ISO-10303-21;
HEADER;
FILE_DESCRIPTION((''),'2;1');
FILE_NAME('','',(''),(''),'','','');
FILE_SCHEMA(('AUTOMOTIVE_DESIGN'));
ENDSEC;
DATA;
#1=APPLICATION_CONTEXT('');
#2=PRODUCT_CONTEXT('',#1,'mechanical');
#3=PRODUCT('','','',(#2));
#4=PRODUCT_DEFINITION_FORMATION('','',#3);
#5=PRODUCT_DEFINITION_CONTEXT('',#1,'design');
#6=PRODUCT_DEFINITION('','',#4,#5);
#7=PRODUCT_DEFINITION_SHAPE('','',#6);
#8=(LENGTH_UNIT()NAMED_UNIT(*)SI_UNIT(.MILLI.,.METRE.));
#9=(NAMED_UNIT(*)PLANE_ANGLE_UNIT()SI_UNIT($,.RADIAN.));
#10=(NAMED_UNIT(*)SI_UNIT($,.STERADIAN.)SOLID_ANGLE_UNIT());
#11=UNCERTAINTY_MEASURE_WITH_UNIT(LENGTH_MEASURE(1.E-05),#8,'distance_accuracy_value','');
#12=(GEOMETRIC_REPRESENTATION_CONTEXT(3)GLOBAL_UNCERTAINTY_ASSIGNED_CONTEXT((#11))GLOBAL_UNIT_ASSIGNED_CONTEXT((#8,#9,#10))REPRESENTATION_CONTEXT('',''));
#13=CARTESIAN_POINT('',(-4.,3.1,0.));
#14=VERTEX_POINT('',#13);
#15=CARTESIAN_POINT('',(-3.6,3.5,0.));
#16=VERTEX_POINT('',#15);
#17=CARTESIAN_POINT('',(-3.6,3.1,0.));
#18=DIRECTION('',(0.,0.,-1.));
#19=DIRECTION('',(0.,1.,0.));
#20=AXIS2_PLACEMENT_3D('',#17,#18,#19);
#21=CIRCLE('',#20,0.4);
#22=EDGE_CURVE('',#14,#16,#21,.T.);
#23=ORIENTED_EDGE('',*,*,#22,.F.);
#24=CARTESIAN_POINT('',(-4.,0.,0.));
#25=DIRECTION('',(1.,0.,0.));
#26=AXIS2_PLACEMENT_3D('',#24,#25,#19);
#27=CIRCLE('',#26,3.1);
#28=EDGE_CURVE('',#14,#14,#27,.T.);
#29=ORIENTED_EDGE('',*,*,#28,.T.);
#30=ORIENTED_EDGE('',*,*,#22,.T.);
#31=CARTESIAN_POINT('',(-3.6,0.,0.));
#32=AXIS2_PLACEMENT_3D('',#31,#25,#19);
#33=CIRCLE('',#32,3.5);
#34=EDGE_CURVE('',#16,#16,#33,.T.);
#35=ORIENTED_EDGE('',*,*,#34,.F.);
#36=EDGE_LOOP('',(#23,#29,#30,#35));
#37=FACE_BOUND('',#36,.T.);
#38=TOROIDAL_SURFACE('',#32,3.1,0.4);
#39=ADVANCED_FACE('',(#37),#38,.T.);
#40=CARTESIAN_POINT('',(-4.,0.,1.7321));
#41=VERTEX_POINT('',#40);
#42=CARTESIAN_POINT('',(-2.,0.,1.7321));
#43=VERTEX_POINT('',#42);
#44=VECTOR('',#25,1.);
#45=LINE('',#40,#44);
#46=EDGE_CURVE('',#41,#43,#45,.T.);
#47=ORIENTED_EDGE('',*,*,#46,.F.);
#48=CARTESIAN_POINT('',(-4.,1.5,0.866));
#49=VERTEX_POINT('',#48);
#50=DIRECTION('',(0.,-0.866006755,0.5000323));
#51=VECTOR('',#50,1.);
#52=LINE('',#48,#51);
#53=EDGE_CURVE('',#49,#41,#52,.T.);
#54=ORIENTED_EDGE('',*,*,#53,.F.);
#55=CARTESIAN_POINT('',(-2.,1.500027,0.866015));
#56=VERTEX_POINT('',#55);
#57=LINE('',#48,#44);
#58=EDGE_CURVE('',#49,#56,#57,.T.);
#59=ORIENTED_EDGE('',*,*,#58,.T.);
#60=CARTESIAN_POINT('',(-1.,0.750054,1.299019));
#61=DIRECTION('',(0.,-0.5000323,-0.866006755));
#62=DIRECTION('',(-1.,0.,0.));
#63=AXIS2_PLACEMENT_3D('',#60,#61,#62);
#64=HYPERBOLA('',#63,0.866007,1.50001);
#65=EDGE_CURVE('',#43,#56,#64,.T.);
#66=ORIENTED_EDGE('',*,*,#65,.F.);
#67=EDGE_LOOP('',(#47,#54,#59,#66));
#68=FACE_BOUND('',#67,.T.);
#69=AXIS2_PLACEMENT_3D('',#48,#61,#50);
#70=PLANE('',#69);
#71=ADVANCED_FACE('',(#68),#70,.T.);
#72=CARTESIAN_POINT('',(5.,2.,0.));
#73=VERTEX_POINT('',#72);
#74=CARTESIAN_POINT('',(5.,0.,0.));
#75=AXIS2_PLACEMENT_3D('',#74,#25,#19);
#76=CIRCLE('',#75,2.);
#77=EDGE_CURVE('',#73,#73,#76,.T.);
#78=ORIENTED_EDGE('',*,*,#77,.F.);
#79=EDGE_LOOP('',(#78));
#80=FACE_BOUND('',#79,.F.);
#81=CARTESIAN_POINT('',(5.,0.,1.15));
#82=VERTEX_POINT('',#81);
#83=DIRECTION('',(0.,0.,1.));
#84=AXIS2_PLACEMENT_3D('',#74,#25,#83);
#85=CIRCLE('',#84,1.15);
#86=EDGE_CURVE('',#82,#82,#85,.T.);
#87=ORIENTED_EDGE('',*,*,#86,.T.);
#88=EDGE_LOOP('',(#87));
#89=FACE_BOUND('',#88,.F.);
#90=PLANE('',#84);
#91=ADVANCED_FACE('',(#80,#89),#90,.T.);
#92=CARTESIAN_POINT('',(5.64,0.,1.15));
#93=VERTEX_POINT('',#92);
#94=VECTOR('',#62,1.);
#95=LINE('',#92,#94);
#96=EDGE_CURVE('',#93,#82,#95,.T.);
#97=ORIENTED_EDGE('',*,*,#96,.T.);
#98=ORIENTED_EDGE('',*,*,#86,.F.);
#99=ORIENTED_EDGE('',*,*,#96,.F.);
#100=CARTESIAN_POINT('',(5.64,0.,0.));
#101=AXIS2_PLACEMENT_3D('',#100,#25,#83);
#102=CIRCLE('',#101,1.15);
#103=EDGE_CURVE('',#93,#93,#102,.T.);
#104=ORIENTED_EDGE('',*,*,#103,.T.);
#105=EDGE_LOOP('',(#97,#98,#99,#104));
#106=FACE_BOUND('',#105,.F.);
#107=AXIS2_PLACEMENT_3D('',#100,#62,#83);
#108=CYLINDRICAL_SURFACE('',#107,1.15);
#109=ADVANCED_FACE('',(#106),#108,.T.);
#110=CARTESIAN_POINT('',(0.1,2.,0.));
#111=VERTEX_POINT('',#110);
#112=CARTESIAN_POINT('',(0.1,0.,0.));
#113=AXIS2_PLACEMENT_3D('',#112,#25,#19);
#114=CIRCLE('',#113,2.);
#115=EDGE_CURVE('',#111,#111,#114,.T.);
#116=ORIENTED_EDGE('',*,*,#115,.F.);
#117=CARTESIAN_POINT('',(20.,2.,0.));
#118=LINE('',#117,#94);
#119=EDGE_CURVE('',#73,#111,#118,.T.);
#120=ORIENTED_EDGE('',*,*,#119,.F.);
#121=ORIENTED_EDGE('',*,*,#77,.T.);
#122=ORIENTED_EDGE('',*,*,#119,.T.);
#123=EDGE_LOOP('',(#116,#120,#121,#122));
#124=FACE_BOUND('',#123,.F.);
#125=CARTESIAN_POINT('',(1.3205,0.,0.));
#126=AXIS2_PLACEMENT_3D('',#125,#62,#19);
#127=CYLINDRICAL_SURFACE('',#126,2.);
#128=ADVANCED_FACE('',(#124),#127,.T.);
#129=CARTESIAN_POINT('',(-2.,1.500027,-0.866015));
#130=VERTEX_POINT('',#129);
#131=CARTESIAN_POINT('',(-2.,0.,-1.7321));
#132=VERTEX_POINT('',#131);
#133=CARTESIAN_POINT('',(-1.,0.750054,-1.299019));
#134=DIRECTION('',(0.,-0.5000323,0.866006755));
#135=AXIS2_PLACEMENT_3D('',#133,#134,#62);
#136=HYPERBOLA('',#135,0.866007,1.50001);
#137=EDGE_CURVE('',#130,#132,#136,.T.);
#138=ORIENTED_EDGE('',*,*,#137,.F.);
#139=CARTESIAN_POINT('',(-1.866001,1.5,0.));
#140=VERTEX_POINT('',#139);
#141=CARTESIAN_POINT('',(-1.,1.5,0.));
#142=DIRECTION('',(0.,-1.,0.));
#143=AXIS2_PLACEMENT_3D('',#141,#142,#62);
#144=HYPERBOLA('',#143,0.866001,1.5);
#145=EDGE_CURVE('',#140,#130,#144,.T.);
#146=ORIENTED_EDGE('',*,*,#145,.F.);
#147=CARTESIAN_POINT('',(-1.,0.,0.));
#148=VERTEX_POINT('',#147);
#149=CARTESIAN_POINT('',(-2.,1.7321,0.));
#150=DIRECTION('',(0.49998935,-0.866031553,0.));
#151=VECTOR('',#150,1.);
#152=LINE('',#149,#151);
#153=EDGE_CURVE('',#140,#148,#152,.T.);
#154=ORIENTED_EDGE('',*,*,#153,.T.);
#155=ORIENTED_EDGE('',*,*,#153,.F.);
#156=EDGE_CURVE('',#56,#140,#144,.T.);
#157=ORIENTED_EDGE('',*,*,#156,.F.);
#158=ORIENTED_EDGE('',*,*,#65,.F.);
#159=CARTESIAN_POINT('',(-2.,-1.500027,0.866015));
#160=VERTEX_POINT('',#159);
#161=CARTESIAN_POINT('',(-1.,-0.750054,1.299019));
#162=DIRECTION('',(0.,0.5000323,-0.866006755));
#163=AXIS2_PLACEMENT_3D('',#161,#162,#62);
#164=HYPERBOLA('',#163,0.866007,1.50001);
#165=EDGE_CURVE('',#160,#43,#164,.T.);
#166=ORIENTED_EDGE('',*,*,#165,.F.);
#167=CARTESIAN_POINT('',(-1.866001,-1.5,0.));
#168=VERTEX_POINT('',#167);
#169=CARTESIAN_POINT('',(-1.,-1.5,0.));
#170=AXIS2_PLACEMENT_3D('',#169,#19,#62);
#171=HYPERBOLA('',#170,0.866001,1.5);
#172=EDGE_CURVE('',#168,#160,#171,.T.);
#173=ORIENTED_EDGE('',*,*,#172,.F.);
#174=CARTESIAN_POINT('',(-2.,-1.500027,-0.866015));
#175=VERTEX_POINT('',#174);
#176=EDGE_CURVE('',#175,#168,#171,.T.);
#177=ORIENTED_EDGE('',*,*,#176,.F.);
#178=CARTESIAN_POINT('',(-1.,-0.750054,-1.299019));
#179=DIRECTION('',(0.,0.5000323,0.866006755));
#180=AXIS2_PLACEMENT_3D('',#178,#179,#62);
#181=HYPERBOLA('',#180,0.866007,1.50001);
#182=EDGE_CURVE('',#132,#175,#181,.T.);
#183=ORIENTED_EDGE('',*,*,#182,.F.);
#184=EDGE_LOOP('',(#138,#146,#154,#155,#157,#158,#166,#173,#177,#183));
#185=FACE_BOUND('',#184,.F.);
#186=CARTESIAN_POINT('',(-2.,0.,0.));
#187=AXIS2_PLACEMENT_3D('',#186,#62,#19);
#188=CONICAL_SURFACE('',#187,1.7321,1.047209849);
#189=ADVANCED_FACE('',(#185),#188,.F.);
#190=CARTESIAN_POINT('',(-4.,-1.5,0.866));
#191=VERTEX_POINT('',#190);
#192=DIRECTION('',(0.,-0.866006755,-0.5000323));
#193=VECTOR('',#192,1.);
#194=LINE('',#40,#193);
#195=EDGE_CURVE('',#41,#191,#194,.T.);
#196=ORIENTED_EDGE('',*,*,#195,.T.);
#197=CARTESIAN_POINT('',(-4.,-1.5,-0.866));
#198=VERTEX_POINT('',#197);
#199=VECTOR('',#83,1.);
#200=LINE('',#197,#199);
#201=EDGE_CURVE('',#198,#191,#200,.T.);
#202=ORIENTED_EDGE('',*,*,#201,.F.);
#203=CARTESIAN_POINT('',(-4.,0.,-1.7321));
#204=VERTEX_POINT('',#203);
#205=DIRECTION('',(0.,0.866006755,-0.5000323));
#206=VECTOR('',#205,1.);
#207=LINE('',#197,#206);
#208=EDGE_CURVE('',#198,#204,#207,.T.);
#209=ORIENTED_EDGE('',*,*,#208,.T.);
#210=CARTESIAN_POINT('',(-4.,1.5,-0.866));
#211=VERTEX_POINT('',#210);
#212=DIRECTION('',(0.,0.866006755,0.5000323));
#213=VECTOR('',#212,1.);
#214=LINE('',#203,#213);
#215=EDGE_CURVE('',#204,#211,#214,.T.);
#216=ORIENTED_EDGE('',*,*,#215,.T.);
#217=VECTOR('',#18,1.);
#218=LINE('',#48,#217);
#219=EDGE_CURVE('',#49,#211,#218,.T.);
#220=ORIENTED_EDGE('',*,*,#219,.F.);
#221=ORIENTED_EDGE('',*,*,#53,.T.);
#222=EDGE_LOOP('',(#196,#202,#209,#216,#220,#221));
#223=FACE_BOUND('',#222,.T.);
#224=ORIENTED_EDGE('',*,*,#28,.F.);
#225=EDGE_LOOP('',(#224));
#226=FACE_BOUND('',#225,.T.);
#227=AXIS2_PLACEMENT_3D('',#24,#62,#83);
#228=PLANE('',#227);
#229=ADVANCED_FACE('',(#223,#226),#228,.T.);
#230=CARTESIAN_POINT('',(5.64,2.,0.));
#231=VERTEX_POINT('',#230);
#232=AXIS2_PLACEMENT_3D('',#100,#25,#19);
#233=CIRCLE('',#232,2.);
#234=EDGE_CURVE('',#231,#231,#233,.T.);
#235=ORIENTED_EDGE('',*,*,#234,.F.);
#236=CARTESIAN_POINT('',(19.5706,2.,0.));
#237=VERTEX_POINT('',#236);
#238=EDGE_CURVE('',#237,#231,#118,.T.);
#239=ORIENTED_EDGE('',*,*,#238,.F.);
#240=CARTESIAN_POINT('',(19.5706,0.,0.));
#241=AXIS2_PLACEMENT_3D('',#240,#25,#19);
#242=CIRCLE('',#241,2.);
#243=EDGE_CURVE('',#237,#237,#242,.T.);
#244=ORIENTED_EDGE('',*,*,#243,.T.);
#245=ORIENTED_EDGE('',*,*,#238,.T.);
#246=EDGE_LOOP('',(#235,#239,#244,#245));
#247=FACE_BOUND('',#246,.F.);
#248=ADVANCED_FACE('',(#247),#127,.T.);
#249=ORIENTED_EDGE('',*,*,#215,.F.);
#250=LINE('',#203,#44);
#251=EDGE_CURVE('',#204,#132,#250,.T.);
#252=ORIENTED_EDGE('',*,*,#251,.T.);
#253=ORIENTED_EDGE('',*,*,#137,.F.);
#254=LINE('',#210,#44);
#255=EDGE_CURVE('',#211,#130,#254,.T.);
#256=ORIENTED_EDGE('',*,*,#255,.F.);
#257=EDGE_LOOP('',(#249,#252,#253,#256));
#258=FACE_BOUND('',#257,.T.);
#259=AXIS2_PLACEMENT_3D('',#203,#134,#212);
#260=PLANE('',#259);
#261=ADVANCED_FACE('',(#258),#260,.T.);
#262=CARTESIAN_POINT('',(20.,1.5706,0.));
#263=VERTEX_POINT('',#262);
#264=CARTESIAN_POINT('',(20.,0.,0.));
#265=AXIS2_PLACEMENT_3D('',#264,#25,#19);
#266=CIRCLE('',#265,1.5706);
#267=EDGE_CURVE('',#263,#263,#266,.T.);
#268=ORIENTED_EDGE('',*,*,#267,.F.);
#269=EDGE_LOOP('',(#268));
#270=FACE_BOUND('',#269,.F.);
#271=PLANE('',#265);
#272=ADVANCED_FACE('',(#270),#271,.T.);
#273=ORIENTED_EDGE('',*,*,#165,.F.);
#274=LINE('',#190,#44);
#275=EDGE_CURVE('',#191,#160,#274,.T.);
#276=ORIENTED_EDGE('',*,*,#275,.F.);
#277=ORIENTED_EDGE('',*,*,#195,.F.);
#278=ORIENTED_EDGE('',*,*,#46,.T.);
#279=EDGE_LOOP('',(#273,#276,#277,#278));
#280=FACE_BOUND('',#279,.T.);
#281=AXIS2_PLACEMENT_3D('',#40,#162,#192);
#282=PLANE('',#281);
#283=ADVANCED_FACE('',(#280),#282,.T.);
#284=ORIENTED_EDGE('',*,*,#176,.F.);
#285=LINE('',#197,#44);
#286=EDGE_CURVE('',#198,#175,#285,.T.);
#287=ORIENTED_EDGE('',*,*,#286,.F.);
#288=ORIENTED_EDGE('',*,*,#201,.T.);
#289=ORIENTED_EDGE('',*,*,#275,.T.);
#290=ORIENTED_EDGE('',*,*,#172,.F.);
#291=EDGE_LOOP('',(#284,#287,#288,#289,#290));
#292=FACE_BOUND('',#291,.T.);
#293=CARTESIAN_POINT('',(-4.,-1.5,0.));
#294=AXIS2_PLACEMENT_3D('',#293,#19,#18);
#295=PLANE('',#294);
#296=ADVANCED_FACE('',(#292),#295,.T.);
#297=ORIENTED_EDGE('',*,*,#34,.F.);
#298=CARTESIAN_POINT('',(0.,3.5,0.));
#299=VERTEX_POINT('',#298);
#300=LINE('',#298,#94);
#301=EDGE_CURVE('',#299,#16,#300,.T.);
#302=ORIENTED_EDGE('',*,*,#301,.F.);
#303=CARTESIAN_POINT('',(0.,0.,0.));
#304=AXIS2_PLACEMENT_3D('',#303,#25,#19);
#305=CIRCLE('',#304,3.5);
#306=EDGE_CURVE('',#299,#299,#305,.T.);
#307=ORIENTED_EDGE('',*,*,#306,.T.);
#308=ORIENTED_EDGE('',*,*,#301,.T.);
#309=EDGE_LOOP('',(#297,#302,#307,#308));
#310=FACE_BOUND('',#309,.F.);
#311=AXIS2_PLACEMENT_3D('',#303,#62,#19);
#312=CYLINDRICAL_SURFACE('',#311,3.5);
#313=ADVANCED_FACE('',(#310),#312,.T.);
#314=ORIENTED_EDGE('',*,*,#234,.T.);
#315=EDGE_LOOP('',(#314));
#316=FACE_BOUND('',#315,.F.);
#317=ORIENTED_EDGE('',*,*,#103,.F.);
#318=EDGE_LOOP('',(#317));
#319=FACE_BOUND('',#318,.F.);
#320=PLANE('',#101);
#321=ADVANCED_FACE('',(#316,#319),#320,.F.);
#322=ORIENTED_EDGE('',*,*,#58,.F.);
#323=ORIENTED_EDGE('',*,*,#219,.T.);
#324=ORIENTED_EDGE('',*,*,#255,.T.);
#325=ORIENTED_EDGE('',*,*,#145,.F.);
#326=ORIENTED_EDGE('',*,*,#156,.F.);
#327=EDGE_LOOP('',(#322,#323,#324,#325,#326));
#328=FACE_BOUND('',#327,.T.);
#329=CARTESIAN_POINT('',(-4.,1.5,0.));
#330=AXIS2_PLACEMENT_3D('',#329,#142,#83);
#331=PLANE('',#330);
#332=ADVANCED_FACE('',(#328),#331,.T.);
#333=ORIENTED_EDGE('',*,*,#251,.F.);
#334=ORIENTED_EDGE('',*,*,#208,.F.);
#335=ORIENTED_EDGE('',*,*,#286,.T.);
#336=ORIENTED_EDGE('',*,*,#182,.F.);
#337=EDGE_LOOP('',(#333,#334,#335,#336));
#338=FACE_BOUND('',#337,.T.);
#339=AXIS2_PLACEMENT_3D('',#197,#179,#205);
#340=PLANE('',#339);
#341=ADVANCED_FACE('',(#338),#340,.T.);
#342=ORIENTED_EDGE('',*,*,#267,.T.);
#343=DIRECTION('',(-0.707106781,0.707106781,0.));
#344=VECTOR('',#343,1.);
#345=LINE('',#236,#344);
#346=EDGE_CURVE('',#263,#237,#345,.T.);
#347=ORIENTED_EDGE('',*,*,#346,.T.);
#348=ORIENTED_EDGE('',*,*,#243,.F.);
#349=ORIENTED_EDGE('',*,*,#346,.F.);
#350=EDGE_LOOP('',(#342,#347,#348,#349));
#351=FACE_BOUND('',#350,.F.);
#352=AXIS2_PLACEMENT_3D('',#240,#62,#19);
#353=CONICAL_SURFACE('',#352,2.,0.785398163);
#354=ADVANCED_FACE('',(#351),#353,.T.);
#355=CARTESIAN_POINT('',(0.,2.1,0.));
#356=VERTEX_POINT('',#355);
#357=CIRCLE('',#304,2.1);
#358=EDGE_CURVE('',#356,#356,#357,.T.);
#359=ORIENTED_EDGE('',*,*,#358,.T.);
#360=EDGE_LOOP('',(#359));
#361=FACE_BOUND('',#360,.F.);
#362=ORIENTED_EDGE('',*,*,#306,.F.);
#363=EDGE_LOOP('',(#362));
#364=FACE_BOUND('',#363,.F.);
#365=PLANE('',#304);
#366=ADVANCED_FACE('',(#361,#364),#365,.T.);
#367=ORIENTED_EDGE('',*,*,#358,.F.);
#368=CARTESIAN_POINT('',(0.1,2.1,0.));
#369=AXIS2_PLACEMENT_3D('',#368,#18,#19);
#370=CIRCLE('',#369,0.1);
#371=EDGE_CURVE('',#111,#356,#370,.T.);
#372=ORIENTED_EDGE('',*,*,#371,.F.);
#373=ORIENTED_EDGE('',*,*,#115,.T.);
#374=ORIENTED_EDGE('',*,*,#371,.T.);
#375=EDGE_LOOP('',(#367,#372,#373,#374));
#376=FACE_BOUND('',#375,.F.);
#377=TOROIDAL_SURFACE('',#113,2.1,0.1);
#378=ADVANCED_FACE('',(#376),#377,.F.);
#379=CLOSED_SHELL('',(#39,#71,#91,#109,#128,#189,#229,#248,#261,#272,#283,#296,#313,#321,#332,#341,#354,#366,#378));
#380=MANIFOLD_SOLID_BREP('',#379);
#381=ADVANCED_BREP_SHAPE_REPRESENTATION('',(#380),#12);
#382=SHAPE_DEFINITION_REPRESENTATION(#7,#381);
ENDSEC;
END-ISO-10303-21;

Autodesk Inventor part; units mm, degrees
ref_plane "YZ Plane" through (0, 0, 0) normal (1, 0, 0) x (0, 1, 0)
ref_plane "XZ Plane" through (0, 0, 0) normal (0, 1, 0) x (-1, 0, 0)
sketch "Skizze1" plane through (0, 0, 0) normal (0, 0, 1) x (1, 0, 0)
  line L0 (-1, 0) -> (20, 0)
  line L1 (20, 0) -> (20, 2)
  line L2 (20, 2) -> (1.75, 2)
  line L3 (1.75, 2) -> (1.3205, 2)
  line L4 (1.3205, 2) -> (0, 2)
  line L5 (0, 2) -> (0, 3.5)
  line L6 (0, 3.5) -> (-4, 3.5)
  line L7 (-4, 3.5) -> (-4, 1.7321)
  line L8 (-4, 1.7321) -> (-2, 1.7321)
  line L9 (-2, 1.7321) -> (-1, 0)
  line L10 (-8.8, 0) -> (24.8, 0) projected
  line L11 (0, -0.7) -> (0, 4.2) projected
  line L12 (1.75, 2) -> (0, 2) construction
  dimension "d1" = 18.25
  dimension "d2" = 0.4295
  dimension "d3" = 4
  dimension "d4" = 2
  dimension "d5" = 60
  dimension "d6" = 4
  dimension "d7" = 4
  dimension "d8" = 3.4641
  dimension "d9" = 7
  dimension "d26" = 20
revolve "Körper" add sketch "Skizze1" angle 360 about axis through (-1, 0, 0) along (1, 0, 0)
sketch "Skizze2" plane through (-4, 0, 0) normal (-1, 0, 0) x (0, 0, 1)
  circle A0 centre (0, 0) radius 1.7321 projected
  line L0 (0, -4.9) -> (0, 4.9) projected
  line L1 (-4.9, 0) -> (4.9, 0) projected
  line L2 (1.7321, 0) -> (0.866, -1.5)
  line L3 (0.866, -1.5) -> (-0.866, -1.5)
  line L4 (-0.866, -1.5) -> (-1.7321, 0)
  line L5 (-1.7321, 0) -> (-0.866, 1.5)
  line L6 (-0.866, 1.5) -> (0.866, 1.5)
  line L7 (0.866, 1.5) -> (1.7321, 0)
extrude "Loch" add sketch "Skizze2" against normal up to next contours L7 A0 | A0 L2 | L6 L0 A0 | A0 L0 L3 | L0 L6 A0 | A0 L3 L0 | L4 A0 | A0 L5
fillet "Rundung1" radius 0.4 1 edges at (-4, -3.5, 0)
thread "Gewinde" size "M4x0.7" class "6g" standard "ISO Metric profile" length 18.25
chamfer "Fase1" distance 0.4294 distance2 0.4294 1 edges at (20, -2, 0) measured on face at (20, 0.0679, 1.2634)
ref_plane "Work Plane1" through (29, 0, 0) normal (0, -1, 0) x (1, 0, 0)
fillet "Fillet2" radius 0.1 1 edges at (0, -2, 0)
sketch "Skizze4" plane through (0, 0, 0) normal (0, 1, 0) x (-1, 0, 0)
  line L0 (8.8, 0) -> (-24.8, 0) projected
  line L1 (-5, 2) -> (-5.64, 2)
  line L2 (-5.64, 2) -> (-5.64, 1.15)
  line L3 (-5.64, 1.15) -> (-5, 1.15)
  line L4 (-5, 1.15) -> (-5, 2)
  line L5 (-0.1, 2) -> (-19.5706, 2) projected
  line L6 (0, 3.5) -> (0, -3.5) projected
  line L7 (3.6, -3.5) -> (3.6, 3.5) projected
  point P0 (0, 0)
  dimension "d31" = 5
  dimension "d32" = 0.64
  dimension "d33" = 2.3
revolve "Umdrehung2" cut sketch "Skizze4" angle 360 about axis through (-10, 0, 0) along (1, 0, 0)
equation "\"d30\" = R"
equation "\"d17\" = RR"
equation "\"d13\" = GEL"
equation "\"d15\" = -0.5 * SPD + 0.5 * GD"
equation "\"d16\" = GUL"
equation "\"d1\" = GEL"
equation "\"d3\" = KOH"
equation "\"d4\" = INTI"
equation "\"d6\" = GD"
equation "\"d7\" = BDM"
equation "\"d8\" = 1.1547 * SW"
equation "\"d9\" = KOD"
equation "\"d26\" = NLG"
equation "\"GD\" = 4"
equation "\"NLG\" = 20"
equation "\"GEL\" = 18.25"
equation "\"KOD\" = 7"
equation "\"KOH\" = 4"
equation "\"INTI\" = 2"
equation "\"GAL\" = 0.61345 * PTC"
equation "\"GUL\" = 0.61345 * PTC"
equation "\"BDM\" = NND"
equation "\"SW\" = 3"
equation "\"RR\" = 0.4"
equation "\"SPD\" = NND - 1.2269 * PTC"
equation "\"R\" = 0.1"
equation "\"TOA\" = 30deg"
equation "\"GD1\" = THREADDIA - 1.2269 * PTC"
equation "\"THREADDIA\" = 4"
equation "\"FAWI\" = 45deg"
equation "\"PTC\" = 0.7"
equation "\"NND\" = 4"
equation "\"E0\" = 1.155 * SW"
properties part number "ISO 4762 - M4 x 20" material "EdelStahl - 440C"
